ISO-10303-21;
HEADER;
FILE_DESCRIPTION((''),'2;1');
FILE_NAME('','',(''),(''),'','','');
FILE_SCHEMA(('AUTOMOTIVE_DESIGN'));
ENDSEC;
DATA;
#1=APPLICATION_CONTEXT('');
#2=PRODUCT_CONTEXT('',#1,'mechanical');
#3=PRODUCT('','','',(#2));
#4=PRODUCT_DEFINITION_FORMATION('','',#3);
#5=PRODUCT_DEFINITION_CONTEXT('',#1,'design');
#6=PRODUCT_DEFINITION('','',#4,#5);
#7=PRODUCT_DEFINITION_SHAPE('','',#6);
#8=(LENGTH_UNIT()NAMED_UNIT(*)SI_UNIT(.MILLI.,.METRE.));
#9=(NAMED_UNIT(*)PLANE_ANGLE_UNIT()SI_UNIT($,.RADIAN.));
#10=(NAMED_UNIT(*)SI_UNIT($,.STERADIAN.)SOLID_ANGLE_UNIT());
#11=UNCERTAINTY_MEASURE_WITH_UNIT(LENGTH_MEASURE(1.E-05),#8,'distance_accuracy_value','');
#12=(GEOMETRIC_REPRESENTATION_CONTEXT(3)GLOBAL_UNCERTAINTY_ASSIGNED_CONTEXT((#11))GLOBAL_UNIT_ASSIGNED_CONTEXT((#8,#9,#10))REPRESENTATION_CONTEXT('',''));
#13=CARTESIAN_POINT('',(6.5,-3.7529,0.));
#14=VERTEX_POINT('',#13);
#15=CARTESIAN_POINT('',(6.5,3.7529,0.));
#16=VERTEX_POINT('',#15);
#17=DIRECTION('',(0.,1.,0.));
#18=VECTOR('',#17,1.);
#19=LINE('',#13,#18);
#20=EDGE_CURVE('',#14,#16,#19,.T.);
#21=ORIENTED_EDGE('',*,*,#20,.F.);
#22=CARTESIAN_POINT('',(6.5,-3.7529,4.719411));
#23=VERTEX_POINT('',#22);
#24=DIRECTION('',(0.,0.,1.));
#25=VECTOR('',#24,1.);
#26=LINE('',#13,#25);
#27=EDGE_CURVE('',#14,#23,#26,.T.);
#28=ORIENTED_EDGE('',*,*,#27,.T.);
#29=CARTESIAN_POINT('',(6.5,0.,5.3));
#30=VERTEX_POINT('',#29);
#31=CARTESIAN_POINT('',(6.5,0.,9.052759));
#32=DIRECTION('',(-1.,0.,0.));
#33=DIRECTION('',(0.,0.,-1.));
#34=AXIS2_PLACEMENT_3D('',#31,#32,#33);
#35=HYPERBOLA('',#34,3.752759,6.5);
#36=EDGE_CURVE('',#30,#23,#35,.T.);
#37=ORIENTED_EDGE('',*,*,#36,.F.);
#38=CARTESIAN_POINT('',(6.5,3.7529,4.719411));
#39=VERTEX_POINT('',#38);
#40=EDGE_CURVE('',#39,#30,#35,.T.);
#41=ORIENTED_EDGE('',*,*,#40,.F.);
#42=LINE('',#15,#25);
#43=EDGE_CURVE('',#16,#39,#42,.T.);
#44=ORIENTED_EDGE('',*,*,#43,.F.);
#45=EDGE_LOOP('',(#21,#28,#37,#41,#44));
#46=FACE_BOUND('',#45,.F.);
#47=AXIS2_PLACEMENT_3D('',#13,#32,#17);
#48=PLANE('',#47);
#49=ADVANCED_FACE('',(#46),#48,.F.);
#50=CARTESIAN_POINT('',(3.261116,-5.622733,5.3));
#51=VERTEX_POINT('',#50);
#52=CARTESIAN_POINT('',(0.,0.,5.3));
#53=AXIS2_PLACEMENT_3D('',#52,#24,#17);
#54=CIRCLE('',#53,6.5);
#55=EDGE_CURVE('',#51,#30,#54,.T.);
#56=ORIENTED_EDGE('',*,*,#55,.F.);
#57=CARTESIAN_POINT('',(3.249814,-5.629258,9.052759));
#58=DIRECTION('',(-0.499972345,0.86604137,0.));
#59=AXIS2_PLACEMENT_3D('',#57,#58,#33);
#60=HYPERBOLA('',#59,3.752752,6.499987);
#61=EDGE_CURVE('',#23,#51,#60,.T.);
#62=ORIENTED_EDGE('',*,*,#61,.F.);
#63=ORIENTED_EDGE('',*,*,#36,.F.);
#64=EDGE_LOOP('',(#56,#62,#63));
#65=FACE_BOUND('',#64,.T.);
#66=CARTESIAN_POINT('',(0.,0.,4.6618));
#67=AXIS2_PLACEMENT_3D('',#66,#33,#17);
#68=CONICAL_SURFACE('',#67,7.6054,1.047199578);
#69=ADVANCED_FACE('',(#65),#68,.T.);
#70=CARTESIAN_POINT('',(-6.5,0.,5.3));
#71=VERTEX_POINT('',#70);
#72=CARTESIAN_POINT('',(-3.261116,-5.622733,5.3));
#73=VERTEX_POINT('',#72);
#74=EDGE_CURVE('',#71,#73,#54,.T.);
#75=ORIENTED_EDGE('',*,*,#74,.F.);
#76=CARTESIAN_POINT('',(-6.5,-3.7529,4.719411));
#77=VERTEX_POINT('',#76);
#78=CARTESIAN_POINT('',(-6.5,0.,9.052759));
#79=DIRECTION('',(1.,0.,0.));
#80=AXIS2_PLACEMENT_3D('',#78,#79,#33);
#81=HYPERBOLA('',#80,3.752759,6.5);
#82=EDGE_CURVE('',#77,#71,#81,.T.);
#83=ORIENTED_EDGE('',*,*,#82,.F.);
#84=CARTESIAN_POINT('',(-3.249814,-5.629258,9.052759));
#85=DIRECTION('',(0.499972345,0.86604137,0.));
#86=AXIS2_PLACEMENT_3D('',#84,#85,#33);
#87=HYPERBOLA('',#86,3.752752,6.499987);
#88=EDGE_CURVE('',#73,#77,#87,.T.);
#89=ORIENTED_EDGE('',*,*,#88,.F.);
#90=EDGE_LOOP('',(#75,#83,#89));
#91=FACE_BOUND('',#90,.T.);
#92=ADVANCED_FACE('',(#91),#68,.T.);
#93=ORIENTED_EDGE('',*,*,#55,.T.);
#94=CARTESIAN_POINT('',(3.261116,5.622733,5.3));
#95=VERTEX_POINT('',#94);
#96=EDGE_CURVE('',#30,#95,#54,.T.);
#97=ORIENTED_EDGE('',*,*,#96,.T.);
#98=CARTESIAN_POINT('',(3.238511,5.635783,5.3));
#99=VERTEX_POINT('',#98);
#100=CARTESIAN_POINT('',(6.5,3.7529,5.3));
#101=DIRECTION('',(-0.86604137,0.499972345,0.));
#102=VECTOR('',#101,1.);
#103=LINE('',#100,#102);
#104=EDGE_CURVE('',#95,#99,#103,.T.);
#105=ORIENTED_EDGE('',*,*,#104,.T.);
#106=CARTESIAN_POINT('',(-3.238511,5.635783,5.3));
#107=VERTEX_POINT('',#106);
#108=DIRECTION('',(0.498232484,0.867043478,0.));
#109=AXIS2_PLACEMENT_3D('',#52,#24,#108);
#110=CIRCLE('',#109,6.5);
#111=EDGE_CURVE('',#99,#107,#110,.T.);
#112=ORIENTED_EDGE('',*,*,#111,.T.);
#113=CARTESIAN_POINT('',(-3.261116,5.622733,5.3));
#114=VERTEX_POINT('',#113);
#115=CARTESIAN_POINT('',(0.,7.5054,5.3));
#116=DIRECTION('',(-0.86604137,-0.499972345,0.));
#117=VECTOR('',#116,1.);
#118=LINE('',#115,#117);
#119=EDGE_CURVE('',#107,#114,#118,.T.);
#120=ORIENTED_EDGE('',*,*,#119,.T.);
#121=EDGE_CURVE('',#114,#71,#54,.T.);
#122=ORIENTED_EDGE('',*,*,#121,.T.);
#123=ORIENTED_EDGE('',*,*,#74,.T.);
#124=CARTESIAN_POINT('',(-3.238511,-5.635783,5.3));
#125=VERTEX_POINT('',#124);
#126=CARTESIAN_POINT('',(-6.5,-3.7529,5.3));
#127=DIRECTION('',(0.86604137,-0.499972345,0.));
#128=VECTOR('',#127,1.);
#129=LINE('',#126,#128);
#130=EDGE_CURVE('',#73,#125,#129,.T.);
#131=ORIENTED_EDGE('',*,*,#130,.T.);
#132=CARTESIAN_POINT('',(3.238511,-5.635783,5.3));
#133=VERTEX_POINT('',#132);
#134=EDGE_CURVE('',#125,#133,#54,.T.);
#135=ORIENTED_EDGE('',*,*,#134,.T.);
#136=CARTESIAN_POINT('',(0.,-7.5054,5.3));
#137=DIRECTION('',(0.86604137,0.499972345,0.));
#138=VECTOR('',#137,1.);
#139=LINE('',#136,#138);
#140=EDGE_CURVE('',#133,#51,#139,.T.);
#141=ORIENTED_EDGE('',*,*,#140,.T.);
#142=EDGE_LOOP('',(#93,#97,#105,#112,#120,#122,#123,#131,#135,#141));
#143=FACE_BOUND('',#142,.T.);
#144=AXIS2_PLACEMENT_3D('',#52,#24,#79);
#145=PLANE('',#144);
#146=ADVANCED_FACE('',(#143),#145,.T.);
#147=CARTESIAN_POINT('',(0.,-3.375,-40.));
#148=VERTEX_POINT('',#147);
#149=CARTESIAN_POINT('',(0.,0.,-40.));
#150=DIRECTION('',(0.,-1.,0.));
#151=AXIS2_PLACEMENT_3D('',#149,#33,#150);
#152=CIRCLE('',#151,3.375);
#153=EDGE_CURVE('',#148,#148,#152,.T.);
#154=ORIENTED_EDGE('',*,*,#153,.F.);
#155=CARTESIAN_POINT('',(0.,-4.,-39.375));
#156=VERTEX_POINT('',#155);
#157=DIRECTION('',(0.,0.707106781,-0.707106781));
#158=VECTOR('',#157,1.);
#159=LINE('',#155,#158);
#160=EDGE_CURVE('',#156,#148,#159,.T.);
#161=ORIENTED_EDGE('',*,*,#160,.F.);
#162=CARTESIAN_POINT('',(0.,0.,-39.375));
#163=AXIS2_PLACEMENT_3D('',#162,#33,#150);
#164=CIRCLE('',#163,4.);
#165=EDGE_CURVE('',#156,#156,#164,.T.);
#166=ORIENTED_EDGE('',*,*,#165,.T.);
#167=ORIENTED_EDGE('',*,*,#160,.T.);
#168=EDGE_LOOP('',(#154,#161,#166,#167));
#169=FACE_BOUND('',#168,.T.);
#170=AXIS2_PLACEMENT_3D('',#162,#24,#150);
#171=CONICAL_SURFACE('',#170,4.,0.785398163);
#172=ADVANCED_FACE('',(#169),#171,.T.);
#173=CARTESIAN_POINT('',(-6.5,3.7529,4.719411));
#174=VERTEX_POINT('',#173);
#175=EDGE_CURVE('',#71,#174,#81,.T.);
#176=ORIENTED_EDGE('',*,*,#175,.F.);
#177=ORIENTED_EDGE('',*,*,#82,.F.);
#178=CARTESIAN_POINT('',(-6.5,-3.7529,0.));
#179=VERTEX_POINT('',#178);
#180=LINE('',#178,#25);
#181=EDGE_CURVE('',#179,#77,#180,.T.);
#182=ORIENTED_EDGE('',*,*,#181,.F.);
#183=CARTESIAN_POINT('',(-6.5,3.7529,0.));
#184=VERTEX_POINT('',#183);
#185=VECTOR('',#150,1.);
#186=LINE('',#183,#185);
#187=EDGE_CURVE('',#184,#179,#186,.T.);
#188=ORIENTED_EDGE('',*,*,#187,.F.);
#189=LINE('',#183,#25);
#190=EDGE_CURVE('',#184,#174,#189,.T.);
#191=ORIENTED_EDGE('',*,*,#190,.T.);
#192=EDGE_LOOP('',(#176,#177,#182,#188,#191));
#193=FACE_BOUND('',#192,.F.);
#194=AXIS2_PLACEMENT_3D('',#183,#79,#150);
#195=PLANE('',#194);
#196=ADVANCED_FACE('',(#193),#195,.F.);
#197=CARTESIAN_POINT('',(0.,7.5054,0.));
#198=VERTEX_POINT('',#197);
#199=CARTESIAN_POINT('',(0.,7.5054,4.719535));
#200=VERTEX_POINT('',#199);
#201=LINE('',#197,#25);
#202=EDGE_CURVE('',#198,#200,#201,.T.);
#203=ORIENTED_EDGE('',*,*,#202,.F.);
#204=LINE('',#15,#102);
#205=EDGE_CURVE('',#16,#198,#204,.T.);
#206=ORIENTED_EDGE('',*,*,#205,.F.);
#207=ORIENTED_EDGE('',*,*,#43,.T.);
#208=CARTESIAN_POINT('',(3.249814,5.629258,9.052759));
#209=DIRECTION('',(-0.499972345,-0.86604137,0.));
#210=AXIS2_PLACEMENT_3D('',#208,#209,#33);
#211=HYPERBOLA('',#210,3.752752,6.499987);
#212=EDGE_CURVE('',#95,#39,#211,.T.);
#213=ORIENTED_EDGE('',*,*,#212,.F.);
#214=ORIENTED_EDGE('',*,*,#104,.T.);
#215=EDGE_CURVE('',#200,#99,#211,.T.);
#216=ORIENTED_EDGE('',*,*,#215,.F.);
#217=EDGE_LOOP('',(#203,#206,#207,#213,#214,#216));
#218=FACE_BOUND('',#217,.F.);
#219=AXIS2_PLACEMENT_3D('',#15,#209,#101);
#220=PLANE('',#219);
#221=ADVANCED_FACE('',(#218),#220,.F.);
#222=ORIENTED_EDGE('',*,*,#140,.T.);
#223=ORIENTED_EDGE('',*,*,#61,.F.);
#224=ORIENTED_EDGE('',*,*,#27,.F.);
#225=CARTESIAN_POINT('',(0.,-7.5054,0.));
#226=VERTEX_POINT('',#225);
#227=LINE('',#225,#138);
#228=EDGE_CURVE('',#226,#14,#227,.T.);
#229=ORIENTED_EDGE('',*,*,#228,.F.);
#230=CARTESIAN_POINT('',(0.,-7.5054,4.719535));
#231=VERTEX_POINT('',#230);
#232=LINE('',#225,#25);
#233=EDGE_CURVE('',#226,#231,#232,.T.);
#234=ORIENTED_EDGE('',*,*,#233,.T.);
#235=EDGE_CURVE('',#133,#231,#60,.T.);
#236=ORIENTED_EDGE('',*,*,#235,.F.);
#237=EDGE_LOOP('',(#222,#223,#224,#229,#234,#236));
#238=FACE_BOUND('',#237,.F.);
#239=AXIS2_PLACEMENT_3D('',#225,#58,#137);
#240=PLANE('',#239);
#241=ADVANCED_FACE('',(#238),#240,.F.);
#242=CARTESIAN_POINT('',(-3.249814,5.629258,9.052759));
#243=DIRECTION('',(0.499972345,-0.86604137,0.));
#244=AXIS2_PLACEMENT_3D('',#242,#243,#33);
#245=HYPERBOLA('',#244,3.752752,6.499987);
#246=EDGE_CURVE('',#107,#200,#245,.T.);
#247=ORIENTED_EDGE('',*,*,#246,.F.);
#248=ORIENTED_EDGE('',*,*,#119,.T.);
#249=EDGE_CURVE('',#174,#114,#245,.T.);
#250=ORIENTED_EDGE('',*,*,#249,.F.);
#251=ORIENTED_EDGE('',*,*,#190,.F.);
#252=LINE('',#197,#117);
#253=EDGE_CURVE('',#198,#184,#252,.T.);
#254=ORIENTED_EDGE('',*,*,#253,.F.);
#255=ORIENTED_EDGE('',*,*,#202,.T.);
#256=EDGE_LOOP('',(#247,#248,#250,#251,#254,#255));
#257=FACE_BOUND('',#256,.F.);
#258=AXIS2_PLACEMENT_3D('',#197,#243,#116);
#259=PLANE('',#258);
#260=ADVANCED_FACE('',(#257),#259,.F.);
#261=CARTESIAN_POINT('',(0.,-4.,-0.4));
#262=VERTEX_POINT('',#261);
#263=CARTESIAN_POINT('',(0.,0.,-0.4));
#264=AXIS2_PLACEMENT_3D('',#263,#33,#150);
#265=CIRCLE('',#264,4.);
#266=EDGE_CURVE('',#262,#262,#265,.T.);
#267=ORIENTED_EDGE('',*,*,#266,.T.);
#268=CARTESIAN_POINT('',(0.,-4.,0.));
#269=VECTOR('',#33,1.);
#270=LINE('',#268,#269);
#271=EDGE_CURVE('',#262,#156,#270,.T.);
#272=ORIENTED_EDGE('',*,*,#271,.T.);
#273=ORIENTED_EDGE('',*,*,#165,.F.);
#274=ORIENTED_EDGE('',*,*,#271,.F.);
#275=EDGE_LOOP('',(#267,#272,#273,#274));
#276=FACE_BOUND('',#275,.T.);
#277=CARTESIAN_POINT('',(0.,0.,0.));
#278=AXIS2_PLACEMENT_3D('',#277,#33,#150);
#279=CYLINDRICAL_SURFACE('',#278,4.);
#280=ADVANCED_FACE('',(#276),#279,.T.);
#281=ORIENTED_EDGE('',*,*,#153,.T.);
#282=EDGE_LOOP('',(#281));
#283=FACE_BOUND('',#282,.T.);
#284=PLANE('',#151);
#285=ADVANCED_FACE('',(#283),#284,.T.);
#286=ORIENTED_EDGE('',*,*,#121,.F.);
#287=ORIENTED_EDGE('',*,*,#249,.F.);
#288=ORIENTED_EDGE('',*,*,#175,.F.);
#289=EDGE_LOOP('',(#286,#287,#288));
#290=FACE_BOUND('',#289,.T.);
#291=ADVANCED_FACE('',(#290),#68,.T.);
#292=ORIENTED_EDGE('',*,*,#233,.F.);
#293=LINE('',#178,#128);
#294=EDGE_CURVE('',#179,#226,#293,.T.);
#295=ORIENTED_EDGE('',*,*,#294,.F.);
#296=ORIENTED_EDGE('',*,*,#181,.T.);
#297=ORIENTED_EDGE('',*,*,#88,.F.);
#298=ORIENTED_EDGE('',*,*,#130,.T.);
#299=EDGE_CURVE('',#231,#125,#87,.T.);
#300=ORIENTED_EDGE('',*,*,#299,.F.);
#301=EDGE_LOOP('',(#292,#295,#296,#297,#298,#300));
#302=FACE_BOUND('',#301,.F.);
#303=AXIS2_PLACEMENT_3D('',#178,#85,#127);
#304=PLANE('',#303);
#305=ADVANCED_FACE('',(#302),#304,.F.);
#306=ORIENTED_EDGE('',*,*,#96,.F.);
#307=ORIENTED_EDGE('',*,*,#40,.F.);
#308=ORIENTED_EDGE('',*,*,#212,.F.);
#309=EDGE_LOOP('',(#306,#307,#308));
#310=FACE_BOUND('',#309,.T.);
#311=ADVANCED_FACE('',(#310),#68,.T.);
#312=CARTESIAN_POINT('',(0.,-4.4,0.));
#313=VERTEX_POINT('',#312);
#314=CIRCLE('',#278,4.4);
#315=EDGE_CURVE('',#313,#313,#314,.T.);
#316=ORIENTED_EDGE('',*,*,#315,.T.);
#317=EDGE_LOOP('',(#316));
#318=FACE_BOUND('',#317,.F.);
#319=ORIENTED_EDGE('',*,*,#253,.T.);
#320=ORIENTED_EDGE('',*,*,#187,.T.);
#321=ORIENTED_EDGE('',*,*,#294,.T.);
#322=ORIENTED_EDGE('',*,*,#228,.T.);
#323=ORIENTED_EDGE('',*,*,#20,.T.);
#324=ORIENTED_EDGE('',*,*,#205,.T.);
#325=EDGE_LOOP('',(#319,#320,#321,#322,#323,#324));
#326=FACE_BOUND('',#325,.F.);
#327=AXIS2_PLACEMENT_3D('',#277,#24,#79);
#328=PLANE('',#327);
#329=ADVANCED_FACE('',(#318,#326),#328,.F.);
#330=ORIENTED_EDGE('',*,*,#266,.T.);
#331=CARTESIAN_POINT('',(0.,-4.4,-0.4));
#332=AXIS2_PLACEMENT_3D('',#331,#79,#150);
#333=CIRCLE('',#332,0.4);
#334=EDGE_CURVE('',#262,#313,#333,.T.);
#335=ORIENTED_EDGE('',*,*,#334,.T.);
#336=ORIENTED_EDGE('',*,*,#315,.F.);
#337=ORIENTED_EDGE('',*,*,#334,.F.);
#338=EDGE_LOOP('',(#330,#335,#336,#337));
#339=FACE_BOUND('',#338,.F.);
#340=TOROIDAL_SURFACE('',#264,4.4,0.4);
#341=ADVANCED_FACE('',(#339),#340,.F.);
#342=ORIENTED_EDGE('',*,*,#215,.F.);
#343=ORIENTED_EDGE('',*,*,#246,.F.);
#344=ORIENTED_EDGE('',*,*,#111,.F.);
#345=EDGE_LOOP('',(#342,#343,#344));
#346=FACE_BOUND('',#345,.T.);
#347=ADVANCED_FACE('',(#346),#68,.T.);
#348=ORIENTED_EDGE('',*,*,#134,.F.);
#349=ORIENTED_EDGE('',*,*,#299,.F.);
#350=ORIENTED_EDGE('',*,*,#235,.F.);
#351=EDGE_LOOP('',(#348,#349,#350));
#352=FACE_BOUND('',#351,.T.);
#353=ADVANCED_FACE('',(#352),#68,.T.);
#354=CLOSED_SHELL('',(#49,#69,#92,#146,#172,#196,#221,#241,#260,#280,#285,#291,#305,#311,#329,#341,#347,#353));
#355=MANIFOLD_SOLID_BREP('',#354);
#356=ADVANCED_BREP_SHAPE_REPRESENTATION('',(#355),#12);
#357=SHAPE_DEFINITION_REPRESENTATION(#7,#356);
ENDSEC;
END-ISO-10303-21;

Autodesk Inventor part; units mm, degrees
ref_plane "WorkPlane1" through (0, 0, 0) normal (0, 0, 1) x (1, 0, 0)
sketch "Sketch1" plane through (0, 0, 0) normal (0, 0, 1) x (1, 0, 0)
  point P0 (0, 0)
sketch "Sketch2" plane through (0, 0, 0) normal (0, 0, 1) x (1, 0, 0)
  line L0 (-6.5, 3.7529) -> (-6.5, -3.7529)
  line L1 (0, 7.5054) -> (-6.5, 3.7529)
  line L2 (6.5, 3.7529) -> (0, 7.5054)
  line L3 (6.5, -3.7529) -> (6.5, 3.7529)
  line L4 (0, -7.5054) -> (6.5, -3.7529)
  line L5 (-6.5, -3.7529) -> (0, -7.5054)
  circle A0 centre (0, 0) radius 6.5 construction
  dimension "d1" = 13
  dimension "d29" = 0
  dimension "d30" = 0
extrude "Extrusion1" add sketch "Sketch2" along normal blind 5.3
sketch "Sketch3" plane through (0, 0, 0) normal (1, 0, 0) x (0, 1, 0)
  line L0 (6.5, 5.3) -> (7.6054, 5.3)
  line L1 (7.6054, 4.6618) -> (6.5, 5.3)
  line L2 (7.6054, 5.3) -> (7.6054, 4.6618)
  line L3 (0, -1.06) -> (0, 6.36) projected
  line L4 (7.5054, 0) -> (7.5054, 5.3) projected
  dimension "d25" = 0.1
  dimension "d26" = 0
  dimension "d27" = 60
  dimension "d28" = 6.5
revolve "Revolution1" cut sketch "Sketch3" angle 360 about axis through (0, 0, -10) along (0, 0, 1)
sketch "Sketch4" plane through (0, 0, 0) normal (1, 0, 0) x (0, 1, 0)
  line L0 (0, -40) -> (0, 0)
  line L1 (-4, -40) -> (0, -40)
  line L2 (-4, 0) -> (-4, -40)
  line L3 (0, 0) -> (-4, 0)
  line L4 (0, -40) -> (0, 0)
  line L5 (-4.8, 0) -> (0.8, 0) projected
  line L6 (0, -48) -> (0, 8) projected
  dimension "d18" = 4
  dimension "d20" = 40
  dimension "d33" = 0
  dimension "d34" = 0
revolve "Revolution2" add sketch "Sketch4" angle 360 about axis through (0, 0, -40) along (0, 0, -1)
chamfer "Chamfer1" distance 0.625 angle 45 1 edges at (0, 4, -40)
fillet "Fillet1" radius 0.4 1 edges at (0, 4, 0)
thread "Thread1" size "M8x1.25" class "6g" standard "ISO Metric profile" length 37.5
ref_plane "MSC_PF1" through (0, 0, 0) normal (1, 0, 0) x (0, 1, 0)
ref_plane "MSC_PT1" through (0, 0, 0) normal (0, 0, -1) x (-1, 0, 0)
equation "\"d22\" = 0.5 * PTC"
equation "\"d23\" = 0.5 * PTC"
equation "\"d24\" = r"
equation "\"d1\" = ParS"
equation "\"d6\" = ParK"
equation "\"b\" = NLG - 2 * PTC"
equation "\"d28\" = 0.5 * ParS"
equation "\"d18\" = 0.5 * NND"
equation "\"d20\" = NLG"
equation "\"NND\" = 8"
equation "\"NLG\" = 40"
equation "\"PTC\" = 1.25"
equation "\"ParK\" = 5.3"
equation "\"ParS\" = 13"
equation "\"msp_es\" = 0.577367 * ParS"
equation "\"r\" = 0.4"
equation "\"THREADDIA\" = NND"
properties part number "ISO 4018 - M8 x 40(1)" material "Steel"
